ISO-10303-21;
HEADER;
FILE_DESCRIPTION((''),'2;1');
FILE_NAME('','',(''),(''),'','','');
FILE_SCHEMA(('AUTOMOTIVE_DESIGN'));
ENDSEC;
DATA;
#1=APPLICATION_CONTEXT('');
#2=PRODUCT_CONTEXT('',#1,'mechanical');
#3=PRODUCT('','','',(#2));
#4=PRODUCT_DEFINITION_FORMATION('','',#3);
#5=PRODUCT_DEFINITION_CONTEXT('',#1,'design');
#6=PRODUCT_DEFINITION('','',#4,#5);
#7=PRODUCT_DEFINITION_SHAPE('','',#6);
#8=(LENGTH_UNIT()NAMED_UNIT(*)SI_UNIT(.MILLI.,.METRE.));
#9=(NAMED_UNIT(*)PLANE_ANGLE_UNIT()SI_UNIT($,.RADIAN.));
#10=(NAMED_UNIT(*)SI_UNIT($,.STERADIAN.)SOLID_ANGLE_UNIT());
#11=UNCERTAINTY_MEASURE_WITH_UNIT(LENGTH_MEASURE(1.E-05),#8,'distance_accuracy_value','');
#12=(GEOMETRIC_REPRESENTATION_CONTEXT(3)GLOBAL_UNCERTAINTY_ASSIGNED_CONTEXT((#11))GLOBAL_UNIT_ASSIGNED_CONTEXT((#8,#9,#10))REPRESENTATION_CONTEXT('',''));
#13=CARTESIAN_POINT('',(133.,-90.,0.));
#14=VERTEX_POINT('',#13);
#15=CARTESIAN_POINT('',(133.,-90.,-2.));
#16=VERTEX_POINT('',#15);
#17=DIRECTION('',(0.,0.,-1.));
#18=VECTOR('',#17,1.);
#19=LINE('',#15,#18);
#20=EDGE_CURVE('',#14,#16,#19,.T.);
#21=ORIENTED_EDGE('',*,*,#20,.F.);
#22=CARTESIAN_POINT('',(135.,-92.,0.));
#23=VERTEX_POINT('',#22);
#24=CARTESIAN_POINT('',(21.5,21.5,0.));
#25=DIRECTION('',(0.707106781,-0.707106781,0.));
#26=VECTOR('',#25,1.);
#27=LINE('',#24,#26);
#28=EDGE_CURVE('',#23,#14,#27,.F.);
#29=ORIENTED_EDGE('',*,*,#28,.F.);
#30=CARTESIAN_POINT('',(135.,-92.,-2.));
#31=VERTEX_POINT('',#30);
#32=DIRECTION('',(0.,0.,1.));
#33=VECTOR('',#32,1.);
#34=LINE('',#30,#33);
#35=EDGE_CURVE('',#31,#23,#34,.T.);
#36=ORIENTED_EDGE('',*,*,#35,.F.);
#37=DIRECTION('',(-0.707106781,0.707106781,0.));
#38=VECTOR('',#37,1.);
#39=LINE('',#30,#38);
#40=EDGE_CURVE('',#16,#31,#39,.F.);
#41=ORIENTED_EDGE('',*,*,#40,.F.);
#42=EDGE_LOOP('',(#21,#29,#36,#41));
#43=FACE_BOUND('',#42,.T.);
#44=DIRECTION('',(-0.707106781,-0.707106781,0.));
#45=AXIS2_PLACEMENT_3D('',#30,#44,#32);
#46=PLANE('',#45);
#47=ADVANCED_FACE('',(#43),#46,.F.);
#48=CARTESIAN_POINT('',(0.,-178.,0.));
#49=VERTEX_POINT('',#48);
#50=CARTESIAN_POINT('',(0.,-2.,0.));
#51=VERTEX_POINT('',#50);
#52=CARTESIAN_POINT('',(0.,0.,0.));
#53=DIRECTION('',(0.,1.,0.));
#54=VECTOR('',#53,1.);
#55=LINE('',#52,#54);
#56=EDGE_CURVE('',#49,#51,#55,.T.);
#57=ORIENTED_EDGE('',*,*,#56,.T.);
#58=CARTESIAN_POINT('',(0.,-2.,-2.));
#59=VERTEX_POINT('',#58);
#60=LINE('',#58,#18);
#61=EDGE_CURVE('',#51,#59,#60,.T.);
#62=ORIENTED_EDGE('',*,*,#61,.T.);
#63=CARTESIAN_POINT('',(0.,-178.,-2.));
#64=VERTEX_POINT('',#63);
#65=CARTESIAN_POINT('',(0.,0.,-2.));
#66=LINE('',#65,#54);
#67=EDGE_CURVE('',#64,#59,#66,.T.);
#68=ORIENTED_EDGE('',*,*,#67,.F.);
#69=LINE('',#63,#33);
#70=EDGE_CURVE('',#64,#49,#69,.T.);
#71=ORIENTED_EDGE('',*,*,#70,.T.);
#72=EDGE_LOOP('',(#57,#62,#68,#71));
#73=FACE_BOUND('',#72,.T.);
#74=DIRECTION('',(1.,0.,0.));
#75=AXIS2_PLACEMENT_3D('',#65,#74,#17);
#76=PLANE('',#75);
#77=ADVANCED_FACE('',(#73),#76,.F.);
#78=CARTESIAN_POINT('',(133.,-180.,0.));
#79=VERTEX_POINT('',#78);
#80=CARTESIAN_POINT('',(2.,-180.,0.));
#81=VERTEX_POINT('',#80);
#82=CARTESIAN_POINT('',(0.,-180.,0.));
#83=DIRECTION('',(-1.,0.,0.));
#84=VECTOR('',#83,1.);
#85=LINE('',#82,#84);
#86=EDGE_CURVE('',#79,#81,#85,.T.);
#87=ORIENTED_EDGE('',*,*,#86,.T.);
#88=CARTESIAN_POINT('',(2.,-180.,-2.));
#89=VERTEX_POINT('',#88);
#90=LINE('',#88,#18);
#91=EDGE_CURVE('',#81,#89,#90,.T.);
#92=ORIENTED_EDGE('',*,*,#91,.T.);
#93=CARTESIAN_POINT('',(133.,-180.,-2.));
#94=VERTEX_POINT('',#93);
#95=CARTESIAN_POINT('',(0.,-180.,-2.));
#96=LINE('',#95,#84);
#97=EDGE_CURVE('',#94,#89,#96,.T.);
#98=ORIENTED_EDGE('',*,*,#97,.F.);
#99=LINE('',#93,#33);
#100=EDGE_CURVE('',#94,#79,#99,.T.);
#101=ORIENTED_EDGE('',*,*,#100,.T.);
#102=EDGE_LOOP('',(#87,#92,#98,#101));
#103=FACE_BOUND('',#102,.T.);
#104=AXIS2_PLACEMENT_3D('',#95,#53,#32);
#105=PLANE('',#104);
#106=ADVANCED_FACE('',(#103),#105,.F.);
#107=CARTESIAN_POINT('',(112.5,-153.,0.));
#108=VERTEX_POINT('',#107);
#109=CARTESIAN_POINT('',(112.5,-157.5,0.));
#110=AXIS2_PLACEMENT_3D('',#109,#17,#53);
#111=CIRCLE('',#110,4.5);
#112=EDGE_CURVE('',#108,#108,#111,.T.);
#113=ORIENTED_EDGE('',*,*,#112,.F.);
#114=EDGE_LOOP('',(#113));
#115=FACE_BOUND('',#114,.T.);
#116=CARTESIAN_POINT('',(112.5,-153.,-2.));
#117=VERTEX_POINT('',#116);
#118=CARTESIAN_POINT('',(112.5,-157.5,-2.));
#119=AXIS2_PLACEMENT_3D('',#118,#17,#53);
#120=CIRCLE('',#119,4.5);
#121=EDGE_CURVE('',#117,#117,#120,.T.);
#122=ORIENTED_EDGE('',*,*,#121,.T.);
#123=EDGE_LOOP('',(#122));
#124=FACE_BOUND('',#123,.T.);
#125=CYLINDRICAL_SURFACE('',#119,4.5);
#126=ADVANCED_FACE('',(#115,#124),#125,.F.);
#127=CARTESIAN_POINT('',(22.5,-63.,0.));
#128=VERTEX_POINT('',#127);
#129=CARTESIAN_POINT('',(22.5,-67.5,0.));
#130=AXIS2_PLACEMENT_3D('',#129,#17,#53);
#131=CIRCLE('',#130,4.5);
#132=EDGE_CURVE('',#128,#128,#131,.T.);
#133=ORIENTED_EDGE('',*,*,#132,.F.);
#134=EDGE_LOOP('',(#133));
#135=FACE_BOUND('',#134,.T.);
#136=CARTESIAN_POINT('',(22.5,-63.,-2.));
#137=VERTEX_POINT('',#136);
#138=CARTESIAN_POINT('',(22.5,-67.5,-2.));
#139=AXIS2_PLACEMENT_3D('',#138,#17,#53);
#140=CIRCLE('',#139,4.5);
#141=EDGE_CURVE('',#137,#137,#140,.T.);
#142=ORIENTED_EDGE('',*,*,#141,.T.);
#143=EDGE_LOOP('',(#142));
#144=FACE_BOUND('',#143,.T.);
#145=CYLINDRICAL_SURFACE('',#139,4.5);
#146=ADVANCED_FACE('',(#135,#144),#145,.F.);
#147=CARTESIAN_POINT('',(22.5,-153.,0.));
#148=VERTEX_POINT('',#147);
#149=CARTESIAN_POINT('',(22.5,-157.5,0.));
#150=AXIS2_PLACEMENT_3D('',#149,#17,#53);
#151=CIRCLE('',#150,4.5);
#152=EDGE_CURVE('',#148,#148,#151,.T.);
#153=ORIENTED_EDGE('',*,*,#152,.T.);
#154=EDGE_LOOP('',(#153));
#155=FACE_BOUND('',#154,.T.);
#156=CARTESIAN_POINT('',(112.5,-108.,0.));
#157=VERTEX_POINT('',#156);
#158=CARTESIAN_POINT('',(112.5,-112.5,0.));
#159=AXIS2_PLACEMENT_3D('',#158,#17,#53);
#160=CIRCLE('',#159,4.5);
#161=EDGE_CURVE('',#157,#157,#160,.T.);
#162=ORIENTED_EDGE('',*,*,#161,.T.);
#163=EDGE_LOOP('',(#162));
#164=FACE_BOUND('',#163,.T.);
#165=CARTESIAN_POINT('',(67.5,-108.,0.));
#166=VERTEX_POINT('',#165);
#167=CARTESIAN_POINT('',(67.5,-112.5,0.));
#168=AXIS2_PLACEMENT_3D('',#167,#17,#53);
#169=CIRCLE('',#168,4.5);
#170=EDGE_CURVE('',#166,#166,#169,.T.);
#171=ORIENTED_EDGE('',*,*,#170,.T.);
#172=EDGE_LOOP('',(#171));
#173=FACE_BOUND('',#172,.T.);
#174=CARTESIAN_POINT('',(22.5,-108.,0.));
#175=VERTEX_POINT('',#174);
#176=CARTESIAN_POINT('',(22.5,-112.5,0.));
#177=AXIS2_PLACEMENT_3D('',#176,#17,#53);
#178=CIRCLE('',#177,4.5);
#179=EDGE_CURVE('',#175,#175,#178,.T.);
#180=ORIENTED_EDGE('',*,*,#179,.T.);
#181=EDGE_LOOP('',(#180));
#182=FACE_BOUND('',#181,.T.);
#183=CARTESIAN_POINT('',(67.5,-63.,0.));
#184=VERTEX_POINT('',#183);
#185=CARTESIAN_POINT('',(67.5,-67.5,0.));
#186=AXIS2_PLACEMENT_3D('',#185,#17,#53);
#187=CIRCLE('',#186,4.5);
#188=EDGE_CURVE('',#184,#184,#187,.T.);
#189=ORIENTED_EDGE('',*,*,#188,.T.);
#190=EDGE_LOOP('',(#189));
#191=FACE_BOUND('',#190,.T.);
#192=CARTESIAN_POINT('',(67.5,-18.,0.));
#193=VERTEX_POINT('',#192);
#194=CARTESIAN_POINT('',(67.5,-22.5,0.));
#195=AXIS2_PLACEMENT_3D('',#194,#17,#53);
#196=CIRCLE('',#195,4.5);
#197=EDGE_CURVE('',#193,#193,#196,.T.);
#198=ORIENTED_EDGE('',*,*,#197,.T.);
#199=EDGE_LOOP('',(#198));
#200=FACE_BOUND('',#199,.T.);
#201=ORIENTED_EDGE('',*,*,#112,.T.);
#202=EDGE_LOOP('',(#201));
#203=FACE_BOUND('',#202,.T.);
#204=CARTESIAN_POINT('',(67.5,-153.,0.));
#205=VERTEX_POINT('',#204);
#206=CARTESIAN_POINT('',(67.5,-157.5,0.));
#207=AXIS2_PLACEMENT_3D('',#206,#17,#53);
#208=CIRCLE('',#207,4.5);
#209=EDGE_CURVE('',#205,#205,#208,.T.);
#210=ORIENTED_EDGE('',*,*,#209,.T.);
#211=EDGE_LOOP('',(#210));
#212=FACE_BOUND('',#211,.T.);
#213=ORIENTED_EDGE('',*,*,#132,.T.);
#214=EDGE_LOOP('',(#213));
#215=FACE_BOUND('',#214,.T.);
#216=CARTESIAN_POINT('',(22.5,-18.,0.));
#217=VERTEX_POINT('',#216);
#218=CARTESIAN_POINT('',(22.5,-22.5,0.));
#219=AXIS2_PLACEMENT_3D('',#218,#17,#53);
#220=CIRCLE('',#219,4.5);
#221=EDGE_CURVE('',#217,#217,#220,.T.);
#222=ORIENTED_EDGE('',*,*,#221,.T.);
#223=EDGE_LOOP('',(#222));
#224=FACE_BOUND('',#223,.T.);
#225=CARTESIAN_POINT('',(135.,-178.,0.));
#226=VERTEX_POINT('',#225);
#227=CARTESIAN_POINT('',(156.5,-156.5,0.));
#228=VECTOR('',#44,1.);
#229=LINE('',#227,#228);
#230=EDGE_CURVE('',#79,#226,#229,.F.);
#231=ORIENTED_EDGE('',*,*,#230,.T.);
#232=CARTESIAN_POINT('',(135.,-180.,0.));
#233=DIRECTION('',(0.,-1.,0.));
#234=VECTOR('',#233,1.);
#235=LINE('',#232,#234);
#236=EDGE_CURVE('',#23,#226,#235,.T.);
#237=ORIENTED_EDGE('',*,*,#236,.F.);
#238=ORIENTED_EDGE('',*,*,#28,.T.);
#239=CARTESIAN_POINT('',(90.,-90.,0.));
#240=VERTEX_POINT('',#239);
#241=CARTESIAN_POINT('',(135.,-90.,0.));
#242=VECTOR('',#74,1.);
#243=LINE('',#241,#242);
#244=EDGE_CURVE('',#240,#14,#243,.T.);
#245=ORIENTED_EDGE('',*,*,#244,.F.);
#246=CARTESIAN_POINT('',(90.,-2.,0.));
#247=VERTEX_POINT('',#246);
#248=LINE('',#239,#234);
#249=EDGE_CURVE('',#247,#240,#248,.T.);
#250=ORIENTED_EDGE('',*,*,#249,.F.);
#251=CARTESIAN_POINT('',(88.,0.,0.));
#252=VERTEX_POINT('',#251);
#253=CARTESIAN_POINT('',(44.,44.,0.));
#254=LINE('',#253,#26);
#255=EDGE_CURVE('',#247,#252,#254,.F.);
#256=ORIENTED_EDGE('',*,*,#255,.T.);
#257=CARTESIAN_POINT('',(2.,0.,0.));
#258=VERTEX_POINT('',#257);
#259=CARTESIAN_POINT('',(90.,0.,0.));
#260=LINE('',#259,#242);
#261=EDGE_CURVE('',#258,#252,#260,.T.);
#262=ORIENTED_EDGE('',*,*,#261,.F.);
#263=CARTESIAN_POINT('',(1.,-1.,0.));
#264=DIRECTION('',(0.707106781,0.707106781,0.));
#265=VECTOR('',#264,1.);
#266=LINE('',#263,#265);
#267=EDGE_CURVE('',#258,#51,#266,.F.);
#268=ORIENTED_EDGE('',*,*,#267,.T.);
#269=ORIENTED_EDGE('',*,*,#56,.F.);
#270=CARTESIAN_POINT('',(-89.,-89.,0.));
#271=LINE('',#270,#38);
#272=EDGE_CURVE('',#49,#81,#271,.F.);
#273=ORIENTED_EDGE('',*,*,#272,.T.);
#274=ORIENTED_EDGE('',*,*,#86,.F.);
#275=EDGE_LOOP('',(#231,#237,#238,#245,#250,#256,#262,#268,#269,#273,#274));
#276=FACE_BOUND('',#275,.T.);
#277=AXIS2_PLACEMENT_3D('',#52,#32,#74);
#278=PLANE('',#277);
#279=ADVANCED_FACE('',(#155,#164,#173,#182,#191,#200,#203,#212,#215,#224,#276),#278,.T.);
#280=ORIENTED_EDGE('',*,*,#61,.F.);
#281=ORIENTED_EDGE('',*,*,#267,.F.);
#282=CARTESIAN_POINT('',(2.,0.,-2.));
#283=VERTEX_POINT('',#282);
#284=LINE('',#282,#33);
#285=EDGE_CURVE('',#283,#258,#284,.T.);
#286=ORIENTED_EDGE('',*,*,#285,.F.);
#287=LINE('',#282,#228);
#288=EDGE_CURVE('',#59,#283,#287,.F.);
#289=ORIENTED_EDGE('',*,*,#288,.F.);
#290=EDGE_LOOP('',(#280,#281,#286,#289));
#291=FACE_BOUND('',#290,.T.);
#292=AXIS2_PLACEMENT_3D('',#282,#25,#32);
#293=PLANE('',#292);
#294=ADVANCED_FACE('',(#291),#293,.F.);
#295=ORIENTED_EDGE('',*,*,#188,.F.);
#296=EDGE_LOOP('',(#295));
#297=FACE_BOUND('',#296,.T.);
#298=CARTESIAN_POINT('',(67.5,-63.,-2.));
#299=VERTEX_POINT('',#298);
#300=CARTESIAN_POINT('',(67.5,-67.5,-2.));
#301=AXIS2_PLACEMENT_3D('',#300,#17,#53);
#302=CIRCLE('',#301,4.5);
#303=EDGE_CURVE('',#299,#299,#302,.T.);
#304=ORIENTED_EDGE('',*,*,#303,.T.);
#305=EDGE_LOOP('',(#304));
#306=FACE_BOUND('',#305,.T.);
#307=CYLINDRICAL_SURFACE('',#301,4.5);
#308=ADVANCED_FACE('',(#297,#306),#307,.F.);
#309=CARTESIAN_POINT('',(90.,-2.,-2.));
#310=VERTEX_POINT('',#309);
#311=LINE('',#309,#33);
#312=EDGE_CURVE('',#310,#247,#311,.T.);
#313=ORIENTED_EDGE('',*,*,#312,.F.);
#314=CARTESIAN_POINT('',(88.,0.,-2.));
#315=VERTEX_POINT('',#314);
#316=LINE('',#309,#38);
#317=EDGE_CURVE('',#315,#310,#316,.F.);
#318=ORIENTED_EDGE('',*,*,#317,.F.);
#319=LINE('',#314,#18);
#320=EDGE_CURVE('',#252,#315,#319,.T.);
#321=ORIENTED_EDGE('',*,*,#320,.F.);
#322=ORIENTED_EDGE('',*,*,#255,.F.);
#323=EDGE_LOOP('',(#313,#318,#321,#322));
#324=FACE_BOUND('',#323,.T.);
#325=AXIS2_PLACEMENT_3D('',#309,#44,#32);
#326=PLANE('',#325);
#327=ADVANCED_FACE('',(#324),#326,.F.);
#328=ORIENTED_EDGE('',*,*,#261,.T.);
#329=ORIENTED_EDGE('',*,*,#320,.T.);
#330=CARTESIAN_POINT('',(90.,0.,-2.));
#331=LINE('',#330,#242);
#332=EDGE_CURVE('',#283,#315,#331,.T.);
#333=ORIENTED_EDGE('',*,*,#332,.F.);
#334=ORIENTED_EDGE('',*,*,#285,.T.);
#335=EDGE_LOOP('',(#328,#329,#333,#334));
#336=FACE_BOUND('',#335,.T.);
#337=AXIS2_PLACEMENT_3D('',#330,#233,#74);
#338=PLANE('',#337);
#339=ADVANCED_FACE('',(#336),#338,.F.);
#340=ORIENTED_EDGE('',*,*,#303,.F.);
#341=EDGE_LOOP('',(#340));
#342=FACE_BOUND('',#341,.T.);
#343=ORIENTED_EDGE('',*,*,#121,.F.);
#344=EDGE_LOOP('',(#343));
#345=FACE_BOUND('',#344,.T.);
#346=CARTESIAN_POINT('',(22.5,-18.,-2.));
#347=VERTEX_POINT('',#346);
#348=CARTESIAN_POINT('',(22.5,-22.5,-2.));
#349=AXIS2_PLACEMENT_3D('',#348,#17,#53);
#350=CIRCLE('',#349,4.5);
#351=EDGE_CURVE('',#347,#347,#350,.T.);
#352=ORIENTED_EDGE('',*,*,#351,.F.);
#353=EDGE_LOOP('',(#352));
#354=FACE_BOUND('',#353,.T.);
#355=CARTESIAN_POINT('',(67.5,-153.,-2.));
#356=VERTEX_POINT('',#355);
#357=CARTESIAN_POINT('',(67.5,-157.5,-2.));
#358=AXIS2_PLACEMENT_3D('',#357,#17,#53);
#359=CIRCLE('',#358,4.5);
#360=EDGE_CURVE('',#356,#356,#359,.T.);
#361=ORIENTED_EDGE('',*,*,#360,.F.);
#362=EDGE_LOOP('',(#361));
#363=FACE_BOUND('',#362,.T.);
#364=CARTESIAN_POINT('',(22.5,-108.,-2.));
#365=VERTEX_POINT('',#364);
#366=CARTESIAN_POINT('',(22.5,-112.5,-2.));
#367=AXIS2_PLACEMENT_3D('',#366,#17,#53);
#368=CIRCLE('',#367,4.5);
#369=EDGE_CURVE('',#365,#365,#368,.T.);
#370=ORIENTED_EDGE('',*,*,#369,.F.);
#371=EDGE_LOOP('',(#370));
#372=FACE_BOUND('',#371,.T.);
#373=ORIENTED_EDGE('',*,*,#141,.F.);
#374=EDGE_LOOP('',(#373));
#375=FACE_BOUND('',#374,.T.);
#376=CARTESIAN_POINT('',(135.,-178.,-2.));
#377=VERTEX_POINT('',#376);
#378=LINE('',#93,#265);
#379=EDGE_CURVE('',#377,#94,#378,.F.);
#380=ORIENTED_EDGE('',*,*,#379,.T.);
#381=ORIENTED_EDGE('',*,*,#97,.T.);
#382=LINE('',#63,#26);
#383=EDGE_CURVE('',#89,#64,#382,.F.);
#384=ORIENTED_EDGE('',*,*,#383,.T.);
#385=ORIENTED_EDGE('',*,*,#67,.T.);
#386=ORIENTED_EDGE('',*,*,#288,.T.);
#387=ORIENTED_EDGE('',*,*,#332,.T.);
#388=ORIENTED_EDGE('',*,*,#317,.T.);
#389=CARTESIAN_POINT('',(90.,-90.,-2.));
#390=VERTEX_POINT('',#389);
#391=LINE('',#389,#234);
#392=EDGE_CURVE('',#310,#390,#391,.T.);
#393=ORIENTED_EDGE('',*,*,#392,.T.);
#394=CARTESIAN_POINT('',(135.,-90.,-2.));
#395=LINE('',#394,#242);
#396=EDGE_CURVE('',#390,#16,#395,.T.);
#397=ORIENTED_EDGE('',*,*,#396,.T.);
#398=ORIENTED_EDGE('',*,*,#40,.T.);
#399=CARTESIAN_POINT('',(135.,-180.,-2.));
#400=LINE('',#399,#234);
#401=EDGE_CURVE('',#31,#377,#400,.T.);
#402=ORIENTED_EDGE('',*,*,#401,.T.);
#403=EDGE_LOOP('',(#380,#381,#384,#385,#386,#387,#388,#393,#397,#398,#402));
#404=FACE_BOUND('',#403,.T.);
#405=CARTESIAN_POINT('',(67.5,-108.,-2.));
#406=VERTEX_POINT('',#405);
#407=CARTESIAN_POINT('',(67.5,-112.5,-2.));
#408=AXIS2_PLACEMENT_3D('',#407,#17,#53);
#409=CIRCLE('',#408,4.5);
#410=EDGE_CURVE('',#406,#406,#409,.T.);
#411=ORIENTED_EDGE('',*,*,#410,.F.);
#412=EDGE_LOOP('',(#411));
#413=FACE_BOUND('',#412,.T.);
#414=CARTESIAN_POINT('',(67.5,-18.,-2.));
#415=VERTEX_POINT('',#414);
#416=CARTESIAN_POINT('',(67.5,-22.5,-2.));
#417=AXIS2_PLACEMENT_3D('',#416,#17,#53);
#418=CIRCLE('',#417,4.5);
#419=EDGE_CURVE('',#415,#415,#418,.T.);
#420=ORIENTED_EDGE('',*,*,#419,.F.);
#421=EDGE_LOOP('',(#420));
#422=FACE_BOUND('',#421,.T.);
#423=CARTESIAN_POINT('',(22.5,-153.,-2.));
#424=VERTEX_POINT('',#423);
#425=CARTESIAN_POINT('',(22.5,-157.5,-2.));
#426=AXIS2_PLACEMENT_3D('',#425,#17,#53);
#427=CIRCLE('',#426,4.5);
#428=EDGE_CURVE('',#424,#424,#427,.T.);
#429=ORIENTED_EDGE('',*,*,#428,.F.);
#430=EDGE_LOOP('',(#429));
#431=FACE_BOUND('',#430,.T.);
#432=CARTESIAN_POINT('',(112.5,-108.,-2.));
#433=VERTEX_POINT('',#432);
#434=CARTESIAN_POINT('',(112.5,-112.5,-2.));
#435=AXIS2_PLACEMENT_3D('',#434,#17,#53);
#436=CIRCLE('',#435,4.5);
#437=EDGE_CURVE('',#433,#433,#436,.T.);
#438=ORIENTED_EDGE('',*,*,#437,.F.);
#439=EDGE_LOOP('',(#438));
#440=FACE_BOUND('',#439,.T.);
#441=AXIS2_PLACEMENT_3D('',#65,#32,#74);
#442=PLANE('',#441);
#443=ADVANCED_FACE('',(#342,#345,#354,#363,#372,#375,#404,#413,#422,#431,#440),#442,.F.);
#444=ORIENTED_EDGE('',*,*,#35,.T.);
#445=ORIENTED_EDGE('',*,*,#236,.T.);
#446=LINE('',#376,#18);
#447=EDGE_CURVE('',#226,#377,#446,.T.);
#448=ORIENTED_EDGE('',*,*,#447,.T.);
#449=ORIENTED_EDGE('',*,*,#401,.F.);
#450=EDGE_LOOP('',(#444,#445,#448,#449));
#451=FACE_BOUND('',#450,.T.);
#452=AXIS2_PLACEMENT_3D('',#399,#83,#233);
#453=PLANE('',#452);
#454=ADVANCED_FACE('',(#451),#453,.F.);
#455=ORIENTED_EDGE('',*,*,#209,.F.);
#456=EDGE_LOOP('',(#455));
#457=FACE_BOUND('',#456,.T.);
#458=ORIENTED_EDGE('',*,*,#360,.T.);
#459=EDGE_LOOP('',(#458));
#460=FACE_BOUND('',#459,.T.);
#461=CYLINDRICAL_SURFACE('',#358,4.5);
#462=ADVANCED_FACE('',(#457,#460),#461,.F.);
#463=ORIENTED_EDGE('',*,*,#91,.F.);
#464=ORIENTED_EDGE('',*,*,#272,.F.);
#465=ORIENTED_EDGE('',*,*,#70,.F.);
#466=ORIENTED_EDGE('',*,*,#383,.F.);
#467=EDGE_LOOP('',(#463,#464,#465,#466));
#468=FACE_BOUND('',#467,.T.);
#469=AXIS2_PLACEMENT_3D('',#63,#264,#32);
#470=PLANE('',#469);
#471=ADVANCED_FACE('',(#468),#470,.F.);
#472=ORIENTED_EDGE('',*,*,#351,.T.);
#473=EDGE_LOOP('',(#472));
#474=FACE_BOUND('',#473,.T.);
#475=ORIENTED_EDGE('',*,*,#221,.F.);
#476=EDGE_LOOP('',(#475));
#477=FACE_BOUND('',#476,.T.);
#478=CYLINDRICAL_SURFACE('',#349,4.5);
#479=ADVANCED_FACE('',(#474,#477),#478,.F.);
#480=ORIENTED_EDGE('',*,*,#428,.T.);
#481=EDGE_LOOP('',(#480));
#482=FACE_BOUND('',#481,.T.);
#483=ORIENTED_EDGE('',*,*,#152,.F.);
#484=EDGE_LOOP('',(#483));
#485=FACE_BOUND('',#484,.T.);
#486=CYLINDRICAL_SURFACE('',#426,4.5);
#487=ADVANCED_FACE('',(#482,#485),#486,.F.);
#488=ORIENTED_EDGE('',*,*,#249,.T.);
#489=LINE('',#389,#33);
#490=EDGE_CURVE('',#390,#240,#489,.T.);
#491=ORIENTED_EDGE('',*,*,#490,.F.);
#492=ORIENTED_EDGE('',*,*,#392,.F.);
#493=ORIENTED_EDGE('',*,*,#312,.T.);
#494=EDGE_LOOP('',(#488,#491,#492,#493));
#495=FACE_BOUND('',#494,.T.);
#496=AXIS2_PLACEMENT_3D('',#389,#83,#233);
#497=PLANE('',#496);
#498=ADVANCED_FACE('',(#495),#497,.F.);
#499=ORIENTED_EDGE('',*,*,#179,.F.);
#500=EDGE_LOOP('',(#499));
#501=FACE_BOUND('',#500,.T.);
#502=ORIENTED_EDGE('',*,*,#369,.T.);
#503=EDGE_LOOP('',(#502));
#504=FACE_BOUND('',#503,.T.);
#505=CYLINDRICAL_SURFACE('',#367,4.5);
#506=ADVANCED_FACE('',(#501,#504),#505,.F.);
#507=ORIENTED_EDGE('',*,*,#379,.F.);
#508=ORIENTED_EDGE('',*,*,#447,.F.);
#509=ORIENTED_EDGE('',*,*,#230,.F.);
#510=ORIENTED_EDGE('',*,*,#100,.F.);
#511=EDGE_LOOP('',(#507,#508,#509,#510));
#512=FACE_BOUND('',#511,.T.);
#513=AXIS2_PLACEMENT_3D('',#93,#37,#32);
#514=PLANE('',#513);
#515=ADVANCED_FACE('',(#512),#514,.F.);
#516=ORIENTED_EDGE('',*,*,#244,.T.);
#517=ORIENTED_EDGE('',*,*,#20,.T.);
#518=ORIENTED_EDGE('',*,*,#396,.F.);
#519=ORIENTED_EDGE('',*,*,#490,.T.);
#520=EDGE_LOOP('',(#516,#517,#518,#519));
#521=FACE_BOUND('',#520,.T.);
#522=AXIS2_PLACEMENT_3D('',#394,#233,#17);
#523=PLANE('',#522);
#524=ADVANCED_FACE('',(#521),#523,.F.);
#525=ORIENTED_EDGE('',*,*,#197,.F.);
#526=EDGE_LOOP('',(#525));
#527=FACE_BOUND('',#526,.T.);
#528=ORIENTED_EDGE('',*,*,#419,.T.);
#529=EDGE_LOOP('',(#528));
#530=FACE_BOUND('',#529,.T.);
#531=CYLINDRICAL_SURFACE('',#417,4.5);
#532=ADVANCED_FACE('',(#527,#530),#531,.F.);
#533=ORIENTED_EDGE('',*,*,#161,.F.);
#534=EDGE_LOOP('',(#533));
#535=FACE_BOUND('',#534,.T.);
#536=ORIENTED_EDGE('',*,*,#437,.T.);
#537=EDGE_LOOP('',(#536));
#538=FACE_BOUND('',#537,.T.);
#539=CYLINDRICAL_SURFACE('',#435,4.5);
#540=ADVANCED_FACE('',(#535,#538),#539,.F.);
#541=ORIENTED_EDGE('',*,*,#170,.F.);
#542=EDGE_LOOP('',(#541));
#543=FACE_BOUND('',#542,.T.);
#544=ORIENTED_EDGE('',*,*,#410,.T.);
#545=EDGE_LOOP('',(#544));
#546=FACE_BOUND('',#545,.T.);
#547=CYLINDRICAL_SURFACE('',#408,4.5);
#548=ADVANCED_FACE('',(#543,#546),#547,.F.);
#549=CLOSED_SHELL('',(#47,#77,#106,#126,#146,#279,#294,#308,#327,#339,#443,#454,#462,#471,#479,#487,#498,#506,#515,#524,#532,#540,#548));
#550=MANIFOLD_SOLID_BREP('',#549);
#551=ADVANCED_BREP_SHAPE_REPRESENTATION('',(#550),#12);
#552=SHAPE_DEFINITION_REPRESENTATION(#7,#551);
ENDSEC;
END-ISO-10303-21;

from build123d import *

# Parameters (mm, degrees)
EXTRUDE_1_DEPTH   = 2
HOLE_WIZARD_M81_D = 9
CHAMFER_1_SIZE    = 2


with BuildPart() as part:
    # Эскиз1 → Бобышка-Вытянуть1 (new body)
    with BuildSketch(Plane(origin=(0, 0, 0), x_dir=(1, 0, 0), z_dir=(0, 0, -1))):
        Polygon((0, 0), (0, 180), (135, 180), (135, 90), (90, 90), (90, 0), align=None)
    extrude(amount=EXTRUDE_1_DEPTH)

    # Отверстие с зазором M81 (through all)
    with Locations(Plane(origin=(0, 0, -2), x_dir=(1, 0, 0), z_dir=(0, 0, -1))):
        with Locations((22.5, 157.5), (22.5, 112.5), (22.5, 67.5), (22.5, 22.5), (67.5, 157.5), (67.5, 112.5), (67.5, 67.5), (67.5, 22.5), (112.5, 157.5), (112.5, 112.5)):
            Hole(HOLE_WIZARD_M81_D / 2)

    # Фаска1
    chamfer_1_edges = [part.edges().sort_by_distance(p)[0] for p in [
        (0, 0, -1),
        (0, -180, -1),
        (135, -180, -1),
        (135, -90, -1),
        (90, 0, -1),
    ]]
    chamfer(chamfer_1_edges, length=CHAMFER_1_SIZE)


solid = part.part
